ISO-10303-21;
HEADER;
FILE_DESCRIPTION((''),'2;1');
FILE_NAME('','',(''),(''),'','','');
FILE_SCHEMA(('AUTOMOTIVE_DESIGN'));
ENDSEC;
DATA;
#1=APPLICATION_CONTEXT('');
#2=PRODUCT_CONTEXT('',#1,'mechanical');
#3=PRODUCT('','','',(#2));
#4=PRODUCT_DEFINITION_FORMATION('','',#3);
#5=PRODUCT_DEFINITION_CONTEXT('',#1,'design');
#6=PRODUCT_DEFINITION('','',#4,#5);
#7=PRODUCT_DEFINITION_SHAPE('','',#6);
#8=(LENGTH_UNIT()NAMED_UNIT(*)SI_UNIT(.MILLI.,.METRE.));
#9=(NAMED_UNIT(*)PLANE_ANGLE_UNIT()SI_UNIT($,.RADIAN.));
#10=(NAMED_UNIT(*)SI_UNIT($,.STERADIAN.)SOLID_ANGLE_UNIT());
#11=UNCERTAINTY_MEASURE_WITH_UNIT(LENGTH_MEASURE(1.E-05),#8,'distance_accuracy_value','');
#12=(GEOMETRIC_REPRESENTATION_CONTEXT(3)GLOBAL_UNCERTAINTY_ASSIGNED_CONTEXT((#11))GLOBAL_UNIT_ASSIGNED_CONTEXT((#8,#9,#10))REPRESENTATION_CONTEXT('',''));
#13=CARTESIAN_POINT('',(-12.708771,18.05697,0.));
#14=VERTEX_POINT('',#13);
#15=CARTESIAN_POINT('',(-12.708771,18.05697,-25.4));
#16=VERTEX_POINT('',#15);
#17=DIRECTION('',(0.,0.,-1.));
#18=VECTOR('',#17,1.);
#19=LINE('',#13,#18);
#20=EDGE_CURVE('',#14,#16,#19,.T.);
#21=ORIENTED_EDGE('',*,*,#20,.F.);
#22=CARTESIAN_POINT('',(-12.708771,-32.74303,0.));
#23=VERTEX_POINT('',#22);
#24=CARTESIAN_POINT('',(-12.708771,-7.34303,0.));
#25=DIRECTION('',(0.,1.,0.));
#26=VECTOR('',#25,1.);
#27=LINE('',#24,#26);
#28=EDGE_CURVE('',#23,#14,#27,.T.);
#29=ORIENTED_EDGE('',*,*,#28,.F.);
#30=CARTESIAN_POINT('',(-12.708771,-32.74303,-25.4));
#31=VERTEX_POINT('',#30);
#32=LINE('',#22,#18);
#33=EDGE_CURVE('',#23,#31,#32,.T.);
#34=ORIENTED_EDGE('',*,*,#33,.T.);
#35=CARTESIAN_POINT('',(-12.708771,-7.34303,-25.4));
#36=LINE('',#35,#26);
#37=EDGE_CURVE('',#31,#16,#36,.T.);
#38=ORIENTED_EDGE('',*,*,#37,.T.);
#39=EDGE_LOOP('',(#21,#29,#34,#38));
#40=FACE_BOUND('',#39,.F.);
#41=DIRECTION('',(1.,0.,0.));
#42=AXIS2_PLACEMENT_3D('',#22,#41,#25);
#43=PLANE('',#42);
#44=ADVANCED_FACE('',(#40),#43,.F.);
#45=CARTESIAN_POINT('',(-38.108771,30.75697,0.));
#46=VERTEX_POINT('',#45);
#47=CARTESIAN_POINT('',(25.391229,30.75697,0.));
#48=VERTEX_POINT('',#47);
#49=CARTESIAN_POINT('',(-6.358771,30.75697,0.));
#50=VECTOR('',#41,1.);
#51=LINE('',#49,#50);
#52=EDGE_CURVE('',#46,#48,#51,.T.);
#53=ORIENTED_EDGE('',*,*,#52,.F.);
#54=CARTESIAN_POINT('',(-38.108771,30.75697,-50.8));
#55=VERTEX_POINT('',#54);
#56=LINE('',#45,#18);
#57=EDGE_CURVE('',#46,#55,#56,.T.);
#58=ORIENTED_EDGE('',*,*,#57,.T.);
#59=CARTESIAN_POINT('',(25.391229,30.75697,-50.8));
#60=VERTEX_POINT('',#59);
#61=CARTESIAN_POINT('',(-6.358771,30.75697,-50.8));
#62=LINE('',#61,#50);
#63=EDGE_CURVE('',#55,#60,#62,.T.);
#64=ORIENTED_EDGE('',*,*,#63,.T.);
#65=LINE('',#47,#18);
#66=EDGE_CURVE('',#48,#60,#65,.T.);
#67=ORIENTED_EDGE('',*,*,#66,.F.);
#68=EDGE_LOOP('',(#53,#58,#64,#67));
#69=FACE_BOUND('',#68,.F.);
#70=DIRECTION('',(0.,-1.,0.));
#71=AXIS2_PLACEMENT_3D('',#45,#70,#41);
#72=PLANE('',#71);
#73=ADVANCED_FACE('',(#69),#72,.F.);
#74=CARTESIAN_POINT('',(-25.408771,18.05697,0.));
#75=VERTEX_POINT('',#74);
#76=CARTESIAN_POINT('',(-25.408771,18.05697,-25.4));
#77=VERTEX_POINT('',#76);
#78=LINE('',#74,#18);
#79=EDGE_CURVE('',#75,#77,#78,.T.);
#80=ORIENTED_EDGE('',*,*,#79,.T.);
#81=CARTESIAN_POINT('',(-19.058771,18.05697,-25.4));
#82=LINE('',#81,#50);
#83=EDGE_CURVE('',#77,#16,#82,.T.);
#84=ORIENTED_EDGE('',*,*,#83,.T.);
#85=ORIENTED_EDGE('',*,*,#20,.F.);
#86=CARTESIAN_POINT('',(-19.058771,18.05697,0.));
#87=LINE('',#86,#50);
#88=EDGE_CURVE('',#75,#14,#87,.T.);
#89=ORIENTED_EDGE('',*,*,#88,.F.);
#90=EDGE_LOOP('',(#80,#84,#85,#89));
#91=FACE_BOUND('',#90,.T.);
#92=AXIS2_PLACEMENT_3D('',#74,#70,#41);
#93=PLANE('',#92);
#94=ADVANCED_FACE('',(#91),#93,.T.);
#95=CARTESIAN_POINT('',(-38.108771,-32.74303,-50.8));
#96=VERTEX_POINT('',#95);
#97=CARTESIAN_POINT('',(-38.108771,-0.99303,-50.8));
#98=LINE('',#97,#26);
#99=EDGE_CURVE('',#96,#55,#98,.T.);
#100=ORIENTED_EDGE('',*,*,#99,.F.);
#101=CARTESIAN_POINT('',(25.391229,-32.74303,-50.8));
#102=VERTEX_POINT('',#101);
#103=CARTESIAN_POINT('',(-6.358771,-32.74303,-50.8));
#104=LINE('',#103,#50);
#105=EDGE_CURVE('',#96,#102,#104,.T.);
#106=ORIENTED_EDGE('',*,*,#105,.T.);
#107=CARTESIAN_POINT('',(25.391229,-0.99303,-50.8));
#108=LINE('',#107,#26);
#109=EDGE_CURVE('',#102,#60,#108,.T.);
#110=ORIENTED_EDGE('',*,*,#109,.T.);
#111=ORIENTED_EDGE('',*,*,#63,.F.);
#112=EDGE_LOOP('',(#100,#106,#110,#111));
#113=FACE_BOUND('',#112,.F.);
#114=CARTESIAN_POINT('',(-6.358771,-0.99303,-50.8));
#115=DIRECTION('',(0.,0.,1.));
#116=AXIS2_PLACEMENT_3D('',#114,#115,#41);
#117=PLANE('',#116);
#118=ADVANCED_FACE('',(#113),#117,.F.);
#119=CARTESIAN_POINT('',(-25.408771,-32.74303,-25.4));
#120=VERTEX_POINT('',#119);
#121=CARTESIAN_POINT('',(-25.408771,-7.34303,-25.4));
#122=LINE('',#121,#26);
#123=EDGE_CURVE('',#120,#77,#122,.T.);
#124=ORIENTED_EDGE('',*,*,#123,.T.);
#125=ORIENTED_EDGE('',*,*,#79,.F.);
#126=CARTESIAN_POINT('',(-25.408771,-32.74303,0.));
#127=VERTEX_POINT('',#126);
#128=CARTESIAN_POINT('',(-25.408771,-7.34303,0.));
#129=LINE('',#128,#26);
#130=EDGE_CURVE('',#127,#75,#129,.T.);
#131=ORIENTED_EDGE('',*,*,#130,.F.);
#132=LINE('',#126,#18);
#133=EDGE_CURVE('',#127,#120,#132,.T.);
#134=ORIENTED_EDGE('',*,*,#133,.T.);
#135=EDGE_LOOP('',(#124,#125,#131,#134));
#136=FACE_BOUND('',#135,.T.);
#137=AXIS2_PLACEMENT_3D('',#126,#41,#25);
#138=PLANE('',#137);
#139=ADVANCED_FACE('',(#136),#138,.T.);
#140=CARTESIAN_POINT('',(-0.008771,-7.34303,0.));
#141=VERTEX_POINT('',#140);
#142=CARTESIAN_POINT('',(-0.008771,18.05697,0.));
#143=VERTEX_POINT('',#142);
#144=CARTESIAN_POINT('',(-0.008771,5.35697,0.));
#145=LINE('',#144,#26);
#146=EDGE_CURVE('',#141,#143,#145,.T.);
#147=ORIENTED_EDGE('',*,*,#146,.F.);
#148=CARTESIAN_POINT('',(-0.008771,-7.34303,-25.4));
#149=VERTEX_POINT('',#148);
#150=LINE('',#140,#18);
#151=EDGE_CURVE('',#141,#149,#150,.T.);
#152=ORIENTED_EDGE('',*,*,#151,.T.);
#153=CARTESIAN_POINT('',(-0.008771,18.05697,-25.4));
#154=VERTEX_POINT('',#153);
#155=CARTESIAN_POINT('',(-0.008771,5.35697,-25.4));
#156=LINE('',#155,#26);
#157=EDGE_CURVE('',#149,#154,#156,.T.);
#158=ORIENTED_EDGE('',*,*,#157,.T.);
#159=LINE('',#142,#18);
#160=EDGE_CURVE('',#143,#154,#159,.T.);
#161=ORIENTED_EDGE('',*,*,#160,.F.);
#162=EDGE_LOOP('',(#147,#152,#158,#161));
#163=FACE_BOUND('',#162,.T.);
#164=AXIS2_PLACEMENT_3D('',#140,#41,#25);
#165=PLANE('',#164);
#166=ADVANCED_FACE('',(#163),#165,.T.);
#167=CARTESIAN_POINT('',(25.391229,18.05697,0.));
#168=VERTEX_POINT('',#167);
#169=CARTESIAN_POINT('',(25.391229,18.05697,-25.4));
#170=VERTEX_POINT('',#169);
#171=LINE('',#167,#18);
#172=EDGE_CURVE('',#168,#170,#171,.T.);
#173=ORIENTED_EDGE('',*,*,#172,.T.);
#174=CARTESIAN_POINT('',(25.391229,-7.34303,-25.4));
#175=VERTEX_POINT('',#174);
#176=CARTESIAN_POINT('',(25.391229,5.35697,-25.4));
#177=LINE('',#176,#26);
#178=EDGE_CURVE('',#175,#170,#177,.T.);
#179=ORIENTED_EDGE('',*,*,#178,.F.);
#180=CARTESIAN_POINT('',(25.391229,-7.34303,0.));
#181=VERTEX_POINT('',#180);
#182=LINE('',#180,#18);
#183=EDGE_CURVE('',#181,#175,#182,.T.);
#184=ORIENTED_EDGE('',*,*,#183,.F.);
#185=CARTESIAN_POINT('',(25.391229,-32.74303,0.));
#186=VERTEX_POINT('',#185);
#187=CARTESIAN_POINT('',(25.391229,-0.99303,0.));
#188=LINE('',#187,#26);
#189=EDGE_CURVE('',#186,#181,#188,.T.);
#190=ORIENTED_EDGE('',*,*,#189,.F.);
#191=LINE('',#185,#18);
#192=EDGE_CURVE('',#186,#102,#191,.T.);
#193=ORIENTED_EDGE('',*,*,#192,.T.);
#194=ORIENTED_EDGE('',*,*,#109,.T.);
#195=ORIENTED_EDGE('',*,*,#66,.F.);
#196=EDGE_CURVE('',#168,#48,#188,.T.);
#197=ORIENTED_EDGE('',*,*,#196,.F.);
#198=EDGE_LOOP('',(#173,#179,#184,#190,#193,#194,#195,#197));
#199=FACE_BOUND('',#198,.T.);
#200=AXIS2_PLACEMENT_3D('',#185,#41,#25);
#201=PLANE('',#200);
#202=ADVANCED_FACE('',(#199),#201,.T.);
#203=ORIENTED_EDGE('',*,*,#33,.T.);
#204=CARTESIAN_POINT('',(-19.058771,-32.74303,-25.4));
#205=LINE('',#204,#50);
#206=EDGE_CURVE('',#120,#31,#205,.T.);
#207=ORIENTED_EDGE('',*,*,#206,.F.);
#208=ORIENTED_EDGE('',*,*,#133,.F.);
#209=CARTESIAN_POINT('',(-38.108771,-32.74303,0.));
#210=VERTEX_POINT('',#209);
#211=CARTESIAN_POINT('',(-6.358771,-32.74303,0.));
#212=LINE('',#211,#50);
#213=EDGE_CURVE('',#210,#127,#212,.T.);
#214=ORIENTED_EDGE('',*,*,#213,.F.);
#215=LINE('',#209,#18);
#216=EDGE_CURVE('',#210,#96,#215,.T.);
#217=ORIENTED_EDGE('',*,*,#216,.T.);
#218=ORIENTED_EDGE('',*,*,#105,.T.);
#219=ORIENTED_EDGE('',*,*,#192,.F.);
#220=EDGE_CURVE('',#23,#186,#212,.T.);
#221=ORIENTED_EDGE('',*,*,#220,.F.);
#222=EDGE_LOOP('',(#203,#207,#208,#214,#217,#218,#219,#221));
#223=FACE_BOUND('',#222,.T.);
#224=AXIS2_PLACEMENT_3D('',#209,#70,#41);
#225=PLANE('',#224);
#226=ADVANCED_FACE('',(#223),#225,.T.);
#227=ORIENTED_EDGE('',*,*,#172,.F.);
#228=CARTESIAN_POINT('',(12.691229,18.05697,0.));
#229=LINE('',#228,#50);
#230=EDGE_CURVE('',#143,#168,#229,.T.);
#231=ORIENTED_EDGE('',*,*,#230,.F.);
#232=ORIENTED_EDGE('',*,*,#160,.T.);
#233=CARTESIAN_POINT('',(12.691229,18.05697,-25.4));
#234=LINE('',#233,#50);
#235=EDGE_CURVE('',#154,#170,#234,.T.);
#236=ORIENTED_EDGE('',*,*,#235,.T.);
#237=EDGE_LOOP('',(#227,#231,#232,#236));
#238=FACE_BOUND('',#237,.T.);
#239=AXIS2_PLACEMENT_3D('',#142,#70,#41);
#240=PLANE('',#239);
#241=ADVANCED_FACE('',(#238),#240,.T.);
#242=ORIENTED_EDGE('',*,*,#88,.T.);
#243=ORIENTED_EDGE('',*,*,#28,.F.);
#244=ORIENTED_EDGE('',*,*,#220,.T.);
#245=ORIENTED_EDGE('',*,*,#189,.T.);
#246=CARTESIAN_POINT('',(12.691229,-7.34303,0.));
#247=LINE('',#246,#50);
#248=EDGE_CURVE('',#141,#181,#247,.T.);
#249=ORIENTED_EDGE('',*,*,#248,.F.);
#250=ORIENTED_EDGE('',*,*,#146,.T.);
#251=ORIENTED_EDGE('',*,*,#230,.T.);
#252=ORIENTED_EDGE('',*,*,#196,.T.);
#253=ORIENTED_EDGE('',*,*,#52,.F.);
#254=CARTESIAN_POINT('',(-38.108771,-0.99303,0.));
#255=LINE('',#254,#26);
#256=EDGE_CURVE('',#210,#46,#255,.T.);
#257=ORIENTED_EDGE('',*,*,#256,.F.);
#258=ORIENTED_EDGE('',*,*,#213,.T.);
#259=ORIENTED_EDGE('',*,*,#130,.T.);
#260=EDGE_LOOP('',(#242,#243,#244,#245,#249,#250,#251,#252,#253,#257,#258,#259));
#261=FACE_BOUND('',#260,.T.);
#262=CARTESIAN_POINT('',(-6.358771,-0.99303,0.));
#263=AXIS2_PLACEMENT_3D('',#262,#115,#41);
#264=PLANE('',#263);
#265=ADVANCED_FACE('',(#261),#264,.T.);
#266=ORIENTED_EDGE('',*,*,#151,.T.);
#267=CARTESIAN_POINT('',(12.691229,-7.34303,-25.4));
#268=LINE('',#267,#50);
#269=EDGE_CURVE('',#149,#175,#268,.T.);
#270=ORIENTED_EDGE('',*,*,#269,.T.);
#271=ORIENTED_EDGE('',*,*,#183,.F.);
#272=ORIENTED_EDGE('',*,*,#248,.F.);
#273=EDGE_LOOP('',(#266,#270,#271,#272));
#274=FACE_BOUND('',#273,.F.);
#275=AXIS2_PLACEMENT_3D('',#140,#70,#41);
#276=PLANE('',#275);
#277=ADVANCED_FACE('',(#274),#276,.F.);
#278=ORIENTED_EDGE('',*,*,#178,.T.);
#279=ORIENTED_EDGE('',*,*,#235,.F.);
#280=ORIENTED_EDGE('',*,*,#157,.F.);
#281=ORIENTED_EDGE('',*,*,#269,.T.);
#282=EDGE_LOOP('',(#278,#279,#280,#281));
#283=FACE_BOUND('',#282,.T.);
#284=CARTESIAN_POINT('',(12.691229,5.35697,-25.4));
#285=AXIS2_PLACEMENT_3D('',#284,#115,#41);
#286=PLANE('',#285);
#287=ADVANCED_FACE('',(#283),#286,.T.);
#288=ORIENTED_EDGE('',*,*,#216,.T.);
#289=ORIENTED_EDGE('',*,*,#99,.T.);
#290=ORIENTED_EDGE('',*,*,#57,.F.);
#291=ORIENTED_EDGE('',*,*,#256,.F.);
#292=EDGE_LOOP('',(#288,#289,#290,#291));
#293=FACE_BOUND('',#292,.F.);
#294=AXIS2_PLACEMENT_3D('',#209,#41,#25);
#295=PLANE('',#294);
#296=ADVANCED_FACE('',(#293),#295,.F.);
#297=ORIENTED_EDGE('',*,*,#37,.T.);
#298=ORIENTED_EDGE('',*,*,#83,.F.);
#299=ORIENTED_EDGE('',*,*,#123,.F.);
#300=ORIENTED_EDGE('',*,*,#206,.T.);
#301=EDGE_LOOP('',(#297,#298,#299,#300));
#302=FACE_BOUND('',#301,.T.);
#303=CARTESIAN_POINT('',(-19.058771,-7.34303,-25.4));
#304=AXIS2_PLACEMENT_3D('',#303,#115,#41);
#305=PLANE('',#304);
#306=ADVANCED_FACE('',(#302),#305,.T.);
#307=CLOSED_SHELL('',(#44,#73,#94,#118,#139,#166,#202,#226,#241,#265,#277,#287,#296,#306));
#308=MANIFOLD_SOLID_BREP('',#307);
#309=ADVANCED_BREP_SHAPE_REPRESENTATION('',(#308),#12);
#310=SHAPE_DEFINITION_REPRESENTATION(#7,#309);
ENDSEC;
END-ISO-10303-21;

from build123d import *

# Parameters (mm, degrees)
F0_W     = 63.5
F0_H     = 63.5
F1_DEPTH = 50.8
F2_W     = 12.7
F2_H     = 50.8
F3_DEPTH = 25.4
F2_W_2   = 25.4
F2_H_2   = 25.4
F4_DEPTH = 25.4


with BuildPart() as f1:
    # F0 (on Top) → F1 (new body)
    with BuildSketch(Plane.XY):
        with Locations((-6.358771, -0.99303)):
            Rectangle(F0_W, F0_H)
    extrude(amount=-F1_DEPTH)

    # F2 (on face) → F3 (cut)
    with BuildSketch(Plane.XY):
        with Locations((-19.058771, -7.34303)):
            Rectangle(F2_W, F2_H)
    extrude(amount=-F3_DEPTH, mode=Mode.SUBTRACT)

    # F2 (on face) → F4 (cut)
    with BuildSketch(Plane.XY):
        with Locations((12.691229, 5.35697)):
            Rectangle(F2_W_2, F2_H_2)
    extrude(amount=-F4_DEPTH, mode=Mode.SUBTRACT)


solid = f1.part
